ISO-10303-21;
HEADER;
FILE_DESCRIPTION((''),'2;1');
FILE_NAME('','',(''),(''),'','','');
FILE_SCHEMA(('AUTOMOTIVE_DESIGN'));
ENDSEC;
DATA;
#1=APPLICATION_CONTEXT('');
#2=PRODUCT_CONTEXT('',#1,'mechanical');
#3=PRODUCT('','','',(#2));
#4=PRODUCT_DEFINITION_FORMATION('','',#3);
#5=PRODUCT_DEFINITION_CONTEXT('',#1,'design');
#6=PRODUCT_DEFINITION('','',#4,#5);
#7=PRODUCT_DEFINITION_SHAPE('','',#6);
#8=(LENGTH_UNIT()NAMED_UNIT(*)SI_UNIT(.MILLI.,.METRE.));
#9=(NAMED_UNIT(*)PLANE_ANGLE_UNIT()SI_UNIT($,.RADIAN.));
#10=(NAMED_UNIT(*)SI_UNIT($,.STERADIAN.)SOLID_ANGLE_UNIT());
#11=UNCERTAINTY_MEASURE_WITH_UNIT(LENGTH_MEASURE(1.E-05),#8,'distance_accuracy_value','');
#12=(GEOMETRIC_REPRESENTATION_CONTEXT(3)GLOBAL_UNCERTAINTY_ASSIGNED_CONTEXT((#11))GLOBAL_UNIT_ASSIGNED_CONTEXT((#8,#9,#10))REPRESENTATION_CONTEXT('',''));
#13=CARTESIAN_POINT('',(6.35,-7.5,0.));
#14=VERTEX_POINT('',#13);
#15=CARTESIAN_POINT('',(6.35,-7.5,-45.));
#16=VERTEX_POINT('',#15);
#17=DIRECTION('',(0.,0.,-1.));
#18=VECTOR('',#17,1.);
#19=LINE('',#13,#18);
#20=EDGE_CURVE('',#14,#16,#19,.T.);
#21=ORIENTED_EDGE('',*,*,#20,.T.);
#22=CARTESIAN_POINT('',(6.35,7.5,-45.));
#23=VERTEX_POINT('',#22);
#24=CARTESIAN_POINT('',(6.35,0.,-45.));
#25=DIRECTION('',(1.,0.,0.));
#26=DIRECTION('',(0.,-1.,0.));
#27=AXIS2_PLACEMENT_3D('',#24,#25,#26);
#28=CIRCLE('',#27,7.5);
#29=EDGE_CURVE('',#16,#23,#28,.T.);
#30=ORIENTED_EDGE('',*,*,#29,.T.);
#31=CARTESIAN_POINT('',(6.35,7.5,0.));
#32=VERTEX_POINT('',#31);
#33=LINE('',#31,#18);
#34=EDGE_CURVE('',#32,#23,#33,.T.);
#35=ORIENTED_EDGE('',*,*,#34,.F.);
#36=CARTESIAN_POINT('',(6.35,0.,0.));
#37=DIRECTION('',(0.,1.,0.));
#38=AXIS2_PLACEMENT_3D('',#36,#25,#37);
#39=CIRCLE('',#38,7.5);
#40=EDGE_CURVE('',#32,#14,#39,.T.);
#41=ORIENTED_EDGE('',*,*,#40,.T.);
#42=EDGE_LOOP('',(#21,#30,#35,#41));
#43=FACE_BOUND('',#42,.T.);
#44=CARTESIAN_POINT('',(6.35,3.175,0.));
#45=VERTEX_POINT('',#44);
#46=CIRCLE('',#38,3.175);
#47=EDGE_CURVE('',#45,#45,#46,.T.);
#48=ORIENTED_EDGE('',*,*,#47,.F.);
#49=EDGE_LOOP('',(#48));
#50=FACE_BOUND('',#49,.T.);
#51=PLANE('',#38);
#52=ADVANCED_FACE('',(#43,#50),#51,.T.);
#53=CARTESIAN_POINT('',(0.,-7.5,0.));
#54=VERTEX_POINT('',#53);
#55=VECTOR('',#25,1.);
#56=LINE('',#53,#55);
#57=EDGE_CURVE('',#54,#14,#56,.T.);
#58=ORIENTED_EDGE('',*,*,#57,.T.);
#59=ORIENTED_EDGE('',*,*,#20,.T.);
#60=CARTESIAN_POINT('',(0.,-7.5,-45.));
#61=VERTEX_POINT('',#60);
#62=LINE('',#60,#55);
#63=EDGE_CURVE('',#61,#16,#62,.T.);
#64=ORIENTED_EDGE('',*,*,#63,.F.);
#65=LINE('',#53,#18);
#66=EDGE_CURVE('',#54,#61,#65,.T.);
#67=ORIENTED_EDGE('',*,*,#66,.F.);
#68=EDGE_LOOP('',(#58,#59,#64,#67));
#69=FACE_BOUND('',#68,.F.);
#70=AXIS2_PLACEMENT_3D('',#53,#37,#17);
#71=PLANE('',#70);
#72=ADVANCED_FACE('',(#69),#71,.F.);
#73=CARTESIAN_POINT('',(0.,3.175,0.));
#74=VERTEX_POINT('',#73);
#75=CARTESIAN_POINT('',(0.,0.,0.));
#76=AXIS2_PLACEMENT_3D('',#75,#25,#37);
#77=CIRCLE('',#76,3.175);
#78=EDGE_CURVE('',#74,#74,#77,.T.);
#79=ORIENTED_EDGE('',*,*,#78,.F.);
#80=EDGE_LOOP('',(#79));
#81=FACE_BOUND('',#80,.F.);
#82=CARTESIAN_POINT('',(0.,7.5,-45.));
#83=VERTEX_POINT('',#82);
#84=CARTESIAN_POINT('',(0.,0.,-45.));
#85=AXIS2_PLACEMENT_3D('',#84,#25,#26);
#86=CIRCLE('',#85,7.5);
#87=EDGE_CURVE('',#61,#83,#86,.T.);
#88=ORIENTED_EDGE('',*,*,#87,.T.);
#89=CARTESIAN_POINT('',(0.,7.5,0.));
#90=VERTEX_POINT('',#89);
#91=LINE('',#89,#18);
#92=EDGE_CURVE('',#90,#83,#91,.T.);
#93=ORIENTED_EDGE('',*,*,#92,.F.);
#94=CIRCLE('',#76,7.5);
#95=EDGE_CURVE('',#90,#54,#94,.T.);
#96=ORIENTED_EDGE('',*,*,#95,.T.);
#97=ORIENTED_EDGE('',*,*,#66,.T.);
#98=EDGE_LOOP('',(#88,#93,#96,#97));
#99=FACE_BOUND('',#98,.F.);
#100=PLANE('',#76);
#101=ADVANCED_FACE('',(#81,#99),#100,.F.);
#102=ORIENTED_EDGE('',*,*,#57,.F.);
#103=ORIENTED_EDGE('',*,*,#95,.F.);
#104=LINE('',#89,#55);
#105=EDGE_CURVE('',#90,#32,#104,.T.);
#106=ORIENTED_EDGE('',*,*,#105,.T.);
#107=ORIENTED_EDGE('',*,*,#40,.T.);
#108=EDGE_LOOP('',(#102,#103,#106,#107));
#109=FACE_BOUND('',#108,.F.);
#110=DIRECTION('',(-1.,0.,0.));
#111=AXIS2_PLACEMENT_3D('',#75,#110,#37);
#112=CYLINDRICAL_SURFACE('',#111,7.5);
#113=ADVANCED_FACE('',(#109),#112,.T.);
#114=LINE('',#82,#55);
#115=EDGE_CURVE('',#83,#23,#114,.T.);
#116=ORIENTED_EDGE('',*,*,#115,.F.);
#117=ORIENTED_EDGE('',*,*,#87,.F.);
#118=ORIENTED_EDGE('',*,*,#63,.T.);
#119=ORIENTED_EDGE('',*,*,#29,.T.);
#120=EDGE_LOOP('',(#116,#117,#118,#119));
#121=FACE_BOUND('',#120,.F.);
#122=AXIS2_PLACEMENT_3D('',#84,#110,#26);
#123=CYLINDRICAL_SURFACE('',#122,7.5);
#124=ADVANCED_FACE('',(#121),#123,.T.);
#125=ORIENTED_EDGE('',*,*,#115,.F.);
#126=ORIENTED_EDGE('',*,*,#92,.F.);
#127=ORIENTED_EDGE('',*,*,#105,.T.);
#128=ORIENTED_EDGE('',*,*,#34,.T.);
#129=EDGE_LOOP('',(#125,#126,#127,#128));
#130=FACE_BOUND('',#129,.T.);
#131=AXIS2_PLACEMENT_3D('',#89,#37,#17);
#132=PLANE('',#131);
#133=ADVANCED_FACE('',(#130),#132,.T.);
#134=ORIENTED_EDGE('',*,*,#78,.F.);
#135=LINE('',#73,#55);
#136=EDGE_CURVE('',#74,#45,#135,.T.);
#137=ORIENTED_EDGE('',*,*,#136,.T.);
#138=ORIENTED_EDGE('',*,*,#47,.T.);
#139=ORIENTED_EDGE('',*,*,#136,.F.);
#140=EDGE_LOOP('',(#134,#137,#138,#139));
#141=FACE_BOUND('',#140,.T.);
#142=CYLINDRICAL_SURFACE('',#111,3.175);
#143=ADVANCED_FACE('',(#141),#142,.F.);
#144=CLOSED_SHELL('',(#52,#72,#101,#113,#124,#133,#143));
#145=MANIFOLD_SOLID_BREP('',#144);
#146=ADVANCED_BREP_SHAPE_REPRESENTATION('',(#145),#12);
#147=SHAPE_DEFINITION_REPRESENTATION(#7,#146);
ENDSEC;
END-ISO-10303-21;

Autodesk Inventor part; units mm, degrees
ref_plane "YZ Plane" through (0, 0, 0) normal (1, 0, 0) x (0, 1, 0)
ref_plane "XZ Plane" through (0, 0, 0) normal (0, 1, 0) x (-1, 0, 0)
ref_plane "XY Plane" through (0, 0, 0) normal (0, 0, 1) x (1, 0, 0)
sketch "Sketch1" plane through (0, 0, 0) normal (1, 0, 0) x (0, 1, 0)
  circle A0 centre (0, 0) radius 3.175
  arc A1 (7.5, 0) -> (-7.5, 0) centre (0, 0) ccw
  line L0 (7.5, 0) -> (7.5, -45)
  line L1 (-7.5, 0) -> (-7.5, -45)
  arc A2 (-7.5, -45) -> (7.5, -45) centre (0, -45) ccw
  circle A3 centre (0, -45) radius 3.175
  dimension "d0" = 6.35
  dimension "d1" = 15
  dimension "d2" = 15
  dimension "d3" = 45
  dimension "d4" = 6.35
extrude "Extrusion1" add sketch "Sketch1" along normal blind 6.35 contours L0 A2 L1 A1 | A3
properties part number "Lower Leg Skiba"
